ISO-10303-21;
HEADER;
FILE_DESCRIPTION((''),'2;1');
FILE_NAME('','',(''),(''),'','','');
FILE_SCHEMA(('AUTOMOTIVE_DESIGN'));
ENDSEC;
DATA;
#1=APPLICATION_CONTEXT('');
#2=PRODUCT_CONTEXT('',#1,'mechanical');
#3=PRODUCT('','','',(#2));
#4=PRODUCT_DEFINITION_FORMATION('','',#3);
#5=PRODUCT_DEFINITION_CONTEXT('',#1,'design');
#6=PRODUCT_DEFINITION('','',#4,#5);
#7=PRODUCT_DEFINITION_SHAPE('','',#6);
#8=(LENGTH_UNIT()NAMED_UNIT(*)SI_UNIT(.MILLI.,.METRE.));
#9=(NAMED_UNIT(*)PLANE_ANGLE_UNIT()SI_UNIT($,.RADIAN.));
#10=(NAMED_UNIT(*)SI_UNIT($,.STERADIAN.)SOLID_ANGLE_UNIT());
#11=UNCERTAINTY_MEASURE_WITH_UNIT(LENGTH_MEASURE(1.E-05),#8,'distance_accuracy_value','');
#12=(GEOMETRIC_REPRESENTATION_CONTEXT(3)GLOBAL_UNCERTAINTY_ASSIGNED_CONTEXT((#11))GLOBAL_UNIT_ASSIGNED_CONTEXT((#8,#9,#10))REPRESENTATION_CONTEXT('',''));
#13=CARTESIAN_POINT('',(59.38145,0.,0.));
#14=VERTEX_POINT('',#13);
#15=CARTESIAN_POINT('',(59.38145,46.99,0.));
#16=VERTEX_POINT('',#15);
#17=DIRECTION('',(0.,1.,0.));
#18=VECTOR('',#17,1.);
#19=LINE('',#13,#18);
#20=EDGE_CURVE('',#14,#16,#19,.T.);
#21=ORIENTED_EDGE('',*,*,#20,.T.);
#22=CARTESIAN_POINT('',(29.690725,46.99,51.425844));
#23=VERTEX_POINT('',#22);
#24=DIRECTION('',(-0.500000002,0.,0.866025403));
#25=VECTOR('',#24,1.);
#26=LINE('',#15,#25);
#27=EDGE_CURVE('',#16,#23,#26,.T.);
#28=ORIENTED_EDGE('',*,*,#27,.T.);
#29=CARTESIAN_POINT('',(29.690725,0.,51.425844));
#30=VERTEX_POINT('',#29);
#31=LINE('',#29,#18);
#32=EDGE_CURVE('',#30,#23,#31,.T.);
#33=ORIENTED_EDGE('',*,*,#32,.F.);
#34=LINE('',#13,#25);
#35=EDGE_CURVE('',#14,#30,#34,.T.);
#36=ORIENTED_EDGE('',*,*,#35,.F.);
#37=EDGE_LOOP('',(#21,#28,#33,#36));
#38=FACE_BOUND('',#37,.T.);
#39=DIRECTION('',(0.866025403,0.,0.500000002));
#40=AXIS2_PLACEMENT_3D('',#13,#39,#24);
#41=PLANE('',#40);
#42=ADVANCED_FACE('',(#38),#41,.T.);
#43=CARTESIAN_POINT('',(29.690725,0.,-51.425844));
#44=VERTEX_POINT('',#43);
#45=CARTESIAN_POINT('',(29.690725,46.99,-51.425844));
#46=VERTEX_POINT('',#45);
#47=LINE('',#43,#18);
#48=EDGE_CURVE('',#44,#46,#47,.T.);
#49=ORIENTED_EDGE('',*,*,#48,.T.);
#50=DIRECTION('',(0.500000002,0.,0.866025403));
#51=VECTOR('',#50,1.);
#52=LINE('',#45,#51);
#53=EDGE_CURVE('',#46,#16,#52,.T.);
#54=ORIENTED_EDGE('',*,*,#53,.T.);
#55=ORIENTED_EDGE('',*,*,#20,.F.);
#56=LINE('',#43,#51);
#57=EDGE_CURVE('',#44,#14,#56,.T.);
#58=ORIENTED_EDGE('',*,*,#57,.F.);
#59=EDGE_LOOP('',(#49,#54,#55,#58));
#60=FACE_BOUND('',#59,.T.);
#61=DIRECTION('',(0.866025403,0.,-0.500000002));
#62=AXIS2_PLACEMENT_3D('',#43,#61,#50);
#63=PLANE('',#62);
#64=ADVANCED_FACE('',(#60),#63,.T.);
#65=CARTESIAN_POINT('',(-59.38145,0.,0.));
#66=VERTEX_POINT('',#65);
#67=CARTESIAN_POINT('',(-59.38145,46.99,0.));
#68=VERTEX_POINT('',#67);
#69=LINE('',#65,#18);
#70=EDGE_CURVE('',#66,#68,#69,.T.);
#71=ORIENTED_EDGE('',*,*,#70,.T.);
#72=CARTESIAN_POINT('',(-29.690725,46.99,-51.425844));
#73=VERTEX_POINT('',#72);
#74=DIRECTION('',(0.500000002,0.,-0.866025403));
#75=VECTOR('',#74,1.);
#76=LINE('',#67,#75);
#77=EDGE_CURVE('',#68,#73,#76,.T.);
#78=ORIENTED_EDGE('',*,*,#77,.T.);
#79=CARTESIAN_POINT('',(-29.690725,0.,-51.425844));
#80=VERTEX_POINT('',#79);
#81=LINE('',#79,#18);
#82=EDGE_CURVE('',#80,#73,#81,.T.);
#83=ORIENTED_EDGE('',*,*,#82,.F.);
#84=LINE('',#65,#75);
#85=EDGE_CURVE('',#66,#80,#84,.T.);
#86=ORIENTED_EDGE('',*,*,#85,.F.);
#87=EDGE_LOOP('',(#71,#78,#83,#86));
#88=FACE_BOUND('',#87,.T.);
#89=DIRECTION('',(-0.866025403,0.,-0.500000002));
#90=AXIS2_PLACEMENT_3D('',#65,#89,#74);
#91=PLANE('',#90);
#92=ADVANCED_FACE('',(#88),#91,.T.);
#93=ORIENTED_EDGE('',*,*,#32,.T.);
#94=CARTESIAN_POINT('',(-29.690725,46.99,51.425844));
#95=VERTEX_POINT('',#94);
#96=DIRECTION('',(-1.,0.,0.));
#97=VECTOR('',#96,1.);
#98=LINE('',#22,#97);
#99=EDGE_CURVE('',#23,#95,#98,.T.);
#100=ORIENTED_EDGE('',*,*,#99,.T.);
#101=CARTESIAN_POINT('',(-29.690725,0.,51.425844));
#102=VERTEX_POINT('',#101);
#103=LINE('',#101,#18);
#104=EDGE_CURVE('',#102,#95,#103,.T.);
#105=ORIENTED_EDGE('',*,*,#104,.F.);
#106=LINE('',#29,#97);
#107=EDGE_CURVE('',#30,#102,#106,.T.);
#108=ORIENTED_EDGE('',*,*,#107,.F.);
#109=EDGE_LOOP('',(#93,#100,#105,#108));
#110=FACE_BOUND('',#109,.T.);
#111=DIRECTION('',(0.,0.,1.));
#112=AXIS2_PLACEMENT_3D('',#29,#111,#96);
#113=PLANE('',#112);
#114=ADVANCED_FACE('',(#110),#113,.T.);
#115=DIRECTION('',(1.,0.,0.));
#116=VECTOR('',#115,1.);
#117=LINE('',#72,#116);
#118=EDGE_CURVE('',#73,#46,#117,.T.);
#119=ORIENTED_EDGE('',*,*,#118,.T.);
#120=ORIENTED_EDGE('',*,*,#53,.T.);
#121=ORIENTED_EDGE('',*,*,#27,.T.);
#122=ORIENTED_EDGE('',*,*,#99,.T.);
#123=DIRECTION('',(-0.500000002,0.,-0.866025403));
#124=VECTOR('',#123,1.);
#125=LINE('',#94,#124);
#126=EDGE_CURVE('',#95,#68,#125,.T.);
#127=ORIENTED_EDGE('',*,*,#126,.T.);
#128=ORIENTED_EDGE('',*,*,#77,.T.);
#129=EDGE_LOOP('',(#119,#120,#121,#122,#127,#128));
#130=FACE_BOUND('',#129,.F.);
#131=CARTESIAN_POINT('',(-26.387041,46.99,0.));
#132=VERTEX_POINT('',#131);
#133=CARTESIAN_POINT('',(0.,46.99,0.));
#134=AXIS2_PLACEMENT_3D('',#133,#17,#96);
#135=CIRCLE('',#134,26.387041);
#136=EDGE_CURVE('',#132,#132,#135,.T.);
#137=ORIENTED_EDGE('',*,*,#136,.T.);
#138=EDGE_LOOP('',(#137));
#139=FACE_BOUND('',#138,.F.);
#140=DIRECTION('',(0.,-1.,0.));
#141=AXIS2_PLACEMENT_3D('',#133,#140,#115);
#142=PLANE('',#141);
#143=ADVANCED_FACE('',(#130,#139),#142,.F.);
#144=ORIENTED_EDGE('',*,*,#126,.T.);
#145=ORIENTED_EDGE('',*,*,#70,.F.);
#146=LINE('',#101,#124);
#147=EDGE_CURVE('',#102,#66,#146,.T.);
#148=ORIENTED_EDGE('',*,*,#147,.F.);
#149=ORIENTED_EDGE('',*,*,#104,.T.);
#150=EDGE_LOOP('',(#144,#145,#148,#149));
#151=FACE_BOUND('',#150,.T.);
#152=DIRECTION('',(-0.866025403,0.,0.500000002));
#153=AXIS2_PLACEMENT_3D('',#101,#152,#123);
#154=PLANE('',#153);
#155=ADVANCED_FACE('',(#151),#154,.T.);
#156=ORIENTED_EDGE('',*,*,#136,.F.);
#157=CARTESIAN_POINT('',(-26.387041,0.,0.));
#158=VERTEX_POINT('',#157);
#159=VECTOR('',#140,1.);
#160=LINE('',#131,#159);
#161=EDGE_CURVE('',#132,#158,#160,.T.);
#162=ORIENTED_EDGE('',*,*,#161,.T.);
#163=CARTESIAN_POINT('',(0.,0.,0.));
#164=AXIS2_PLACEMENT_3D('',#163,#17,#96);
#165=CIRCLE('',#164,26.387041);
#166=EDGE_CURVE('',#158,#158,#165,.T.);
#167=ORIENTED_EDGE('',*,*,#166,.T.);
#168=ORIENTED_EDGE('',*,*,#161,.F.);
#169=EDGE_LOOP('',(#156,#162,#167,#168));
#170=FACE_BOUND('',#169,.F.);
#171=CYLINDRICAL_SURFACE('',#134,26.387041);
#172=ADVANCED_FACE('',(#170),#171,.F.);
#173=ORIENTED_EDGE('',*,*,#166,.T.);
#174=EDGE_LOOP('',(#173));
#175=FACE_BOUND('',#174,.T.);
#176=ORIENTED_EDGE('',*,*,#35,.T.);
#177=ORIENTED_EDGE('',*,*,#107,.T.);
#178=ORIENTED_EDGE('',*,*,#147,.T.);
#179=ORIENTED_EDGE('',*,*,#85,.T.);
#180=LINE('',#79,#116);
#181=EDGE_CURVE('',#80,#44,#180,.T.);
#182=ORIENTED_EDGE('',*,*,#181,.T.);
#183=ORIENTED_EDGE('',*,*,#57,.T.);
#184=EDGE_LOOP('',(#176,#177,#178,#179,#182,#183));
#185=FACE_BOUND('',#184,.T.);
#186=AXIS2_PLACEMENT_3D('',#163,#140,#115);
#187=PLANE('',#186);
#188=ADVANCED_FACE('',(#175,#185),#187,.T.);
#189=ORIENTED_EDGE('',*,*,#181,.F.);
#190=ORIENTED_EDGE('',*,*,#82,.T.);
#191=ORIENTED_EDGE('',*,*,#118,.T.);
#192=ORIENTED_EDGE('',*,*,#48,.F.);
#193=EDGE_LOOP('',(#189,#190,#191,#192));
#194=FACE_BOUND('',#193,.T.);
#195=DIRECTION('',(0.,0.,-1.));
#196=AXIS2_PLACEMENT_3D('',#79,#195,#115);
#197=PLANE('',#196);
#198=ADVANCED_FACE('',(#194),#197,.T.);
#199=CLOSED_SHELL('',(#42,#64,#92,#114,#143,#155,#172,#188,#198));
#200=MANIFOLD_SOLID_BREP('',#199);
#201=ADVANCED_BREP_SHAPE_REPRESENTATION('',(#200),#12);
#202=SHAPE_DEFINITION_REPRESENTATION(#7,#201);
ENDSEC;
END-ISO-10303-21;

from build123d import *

# Parameters (mm, degrees)
F1_DEPTH = 46.99
F2_R     = 26.387041
F3_DEPTH = 46.991


with BuildPart() as f1:
    # F0 (on Front) → F1 (new body)
    with BuildSketch(Plane.XZ):
        Polygon((-29.690725, -51.425844), (29.690725, -51.425844), (59.38145, 0), (29.690725, 51.425844), (-29.690725, 51.425844), (-59.38145, 0), align=None)
    extrude(amount=-F1_DEPTH)

    # F2 (on face) → F3 (cut, through all)
    with BuildSketch(Plane(origin=(0, 46.99, 0), x_dir=(-1, 0, 0), z_dir=(0, 1, 0))):
        Circle(F2_R)
    extrude(amount=-F3_DEPTH, mode=Mode.SUBTRACT)


solid = f1.part
